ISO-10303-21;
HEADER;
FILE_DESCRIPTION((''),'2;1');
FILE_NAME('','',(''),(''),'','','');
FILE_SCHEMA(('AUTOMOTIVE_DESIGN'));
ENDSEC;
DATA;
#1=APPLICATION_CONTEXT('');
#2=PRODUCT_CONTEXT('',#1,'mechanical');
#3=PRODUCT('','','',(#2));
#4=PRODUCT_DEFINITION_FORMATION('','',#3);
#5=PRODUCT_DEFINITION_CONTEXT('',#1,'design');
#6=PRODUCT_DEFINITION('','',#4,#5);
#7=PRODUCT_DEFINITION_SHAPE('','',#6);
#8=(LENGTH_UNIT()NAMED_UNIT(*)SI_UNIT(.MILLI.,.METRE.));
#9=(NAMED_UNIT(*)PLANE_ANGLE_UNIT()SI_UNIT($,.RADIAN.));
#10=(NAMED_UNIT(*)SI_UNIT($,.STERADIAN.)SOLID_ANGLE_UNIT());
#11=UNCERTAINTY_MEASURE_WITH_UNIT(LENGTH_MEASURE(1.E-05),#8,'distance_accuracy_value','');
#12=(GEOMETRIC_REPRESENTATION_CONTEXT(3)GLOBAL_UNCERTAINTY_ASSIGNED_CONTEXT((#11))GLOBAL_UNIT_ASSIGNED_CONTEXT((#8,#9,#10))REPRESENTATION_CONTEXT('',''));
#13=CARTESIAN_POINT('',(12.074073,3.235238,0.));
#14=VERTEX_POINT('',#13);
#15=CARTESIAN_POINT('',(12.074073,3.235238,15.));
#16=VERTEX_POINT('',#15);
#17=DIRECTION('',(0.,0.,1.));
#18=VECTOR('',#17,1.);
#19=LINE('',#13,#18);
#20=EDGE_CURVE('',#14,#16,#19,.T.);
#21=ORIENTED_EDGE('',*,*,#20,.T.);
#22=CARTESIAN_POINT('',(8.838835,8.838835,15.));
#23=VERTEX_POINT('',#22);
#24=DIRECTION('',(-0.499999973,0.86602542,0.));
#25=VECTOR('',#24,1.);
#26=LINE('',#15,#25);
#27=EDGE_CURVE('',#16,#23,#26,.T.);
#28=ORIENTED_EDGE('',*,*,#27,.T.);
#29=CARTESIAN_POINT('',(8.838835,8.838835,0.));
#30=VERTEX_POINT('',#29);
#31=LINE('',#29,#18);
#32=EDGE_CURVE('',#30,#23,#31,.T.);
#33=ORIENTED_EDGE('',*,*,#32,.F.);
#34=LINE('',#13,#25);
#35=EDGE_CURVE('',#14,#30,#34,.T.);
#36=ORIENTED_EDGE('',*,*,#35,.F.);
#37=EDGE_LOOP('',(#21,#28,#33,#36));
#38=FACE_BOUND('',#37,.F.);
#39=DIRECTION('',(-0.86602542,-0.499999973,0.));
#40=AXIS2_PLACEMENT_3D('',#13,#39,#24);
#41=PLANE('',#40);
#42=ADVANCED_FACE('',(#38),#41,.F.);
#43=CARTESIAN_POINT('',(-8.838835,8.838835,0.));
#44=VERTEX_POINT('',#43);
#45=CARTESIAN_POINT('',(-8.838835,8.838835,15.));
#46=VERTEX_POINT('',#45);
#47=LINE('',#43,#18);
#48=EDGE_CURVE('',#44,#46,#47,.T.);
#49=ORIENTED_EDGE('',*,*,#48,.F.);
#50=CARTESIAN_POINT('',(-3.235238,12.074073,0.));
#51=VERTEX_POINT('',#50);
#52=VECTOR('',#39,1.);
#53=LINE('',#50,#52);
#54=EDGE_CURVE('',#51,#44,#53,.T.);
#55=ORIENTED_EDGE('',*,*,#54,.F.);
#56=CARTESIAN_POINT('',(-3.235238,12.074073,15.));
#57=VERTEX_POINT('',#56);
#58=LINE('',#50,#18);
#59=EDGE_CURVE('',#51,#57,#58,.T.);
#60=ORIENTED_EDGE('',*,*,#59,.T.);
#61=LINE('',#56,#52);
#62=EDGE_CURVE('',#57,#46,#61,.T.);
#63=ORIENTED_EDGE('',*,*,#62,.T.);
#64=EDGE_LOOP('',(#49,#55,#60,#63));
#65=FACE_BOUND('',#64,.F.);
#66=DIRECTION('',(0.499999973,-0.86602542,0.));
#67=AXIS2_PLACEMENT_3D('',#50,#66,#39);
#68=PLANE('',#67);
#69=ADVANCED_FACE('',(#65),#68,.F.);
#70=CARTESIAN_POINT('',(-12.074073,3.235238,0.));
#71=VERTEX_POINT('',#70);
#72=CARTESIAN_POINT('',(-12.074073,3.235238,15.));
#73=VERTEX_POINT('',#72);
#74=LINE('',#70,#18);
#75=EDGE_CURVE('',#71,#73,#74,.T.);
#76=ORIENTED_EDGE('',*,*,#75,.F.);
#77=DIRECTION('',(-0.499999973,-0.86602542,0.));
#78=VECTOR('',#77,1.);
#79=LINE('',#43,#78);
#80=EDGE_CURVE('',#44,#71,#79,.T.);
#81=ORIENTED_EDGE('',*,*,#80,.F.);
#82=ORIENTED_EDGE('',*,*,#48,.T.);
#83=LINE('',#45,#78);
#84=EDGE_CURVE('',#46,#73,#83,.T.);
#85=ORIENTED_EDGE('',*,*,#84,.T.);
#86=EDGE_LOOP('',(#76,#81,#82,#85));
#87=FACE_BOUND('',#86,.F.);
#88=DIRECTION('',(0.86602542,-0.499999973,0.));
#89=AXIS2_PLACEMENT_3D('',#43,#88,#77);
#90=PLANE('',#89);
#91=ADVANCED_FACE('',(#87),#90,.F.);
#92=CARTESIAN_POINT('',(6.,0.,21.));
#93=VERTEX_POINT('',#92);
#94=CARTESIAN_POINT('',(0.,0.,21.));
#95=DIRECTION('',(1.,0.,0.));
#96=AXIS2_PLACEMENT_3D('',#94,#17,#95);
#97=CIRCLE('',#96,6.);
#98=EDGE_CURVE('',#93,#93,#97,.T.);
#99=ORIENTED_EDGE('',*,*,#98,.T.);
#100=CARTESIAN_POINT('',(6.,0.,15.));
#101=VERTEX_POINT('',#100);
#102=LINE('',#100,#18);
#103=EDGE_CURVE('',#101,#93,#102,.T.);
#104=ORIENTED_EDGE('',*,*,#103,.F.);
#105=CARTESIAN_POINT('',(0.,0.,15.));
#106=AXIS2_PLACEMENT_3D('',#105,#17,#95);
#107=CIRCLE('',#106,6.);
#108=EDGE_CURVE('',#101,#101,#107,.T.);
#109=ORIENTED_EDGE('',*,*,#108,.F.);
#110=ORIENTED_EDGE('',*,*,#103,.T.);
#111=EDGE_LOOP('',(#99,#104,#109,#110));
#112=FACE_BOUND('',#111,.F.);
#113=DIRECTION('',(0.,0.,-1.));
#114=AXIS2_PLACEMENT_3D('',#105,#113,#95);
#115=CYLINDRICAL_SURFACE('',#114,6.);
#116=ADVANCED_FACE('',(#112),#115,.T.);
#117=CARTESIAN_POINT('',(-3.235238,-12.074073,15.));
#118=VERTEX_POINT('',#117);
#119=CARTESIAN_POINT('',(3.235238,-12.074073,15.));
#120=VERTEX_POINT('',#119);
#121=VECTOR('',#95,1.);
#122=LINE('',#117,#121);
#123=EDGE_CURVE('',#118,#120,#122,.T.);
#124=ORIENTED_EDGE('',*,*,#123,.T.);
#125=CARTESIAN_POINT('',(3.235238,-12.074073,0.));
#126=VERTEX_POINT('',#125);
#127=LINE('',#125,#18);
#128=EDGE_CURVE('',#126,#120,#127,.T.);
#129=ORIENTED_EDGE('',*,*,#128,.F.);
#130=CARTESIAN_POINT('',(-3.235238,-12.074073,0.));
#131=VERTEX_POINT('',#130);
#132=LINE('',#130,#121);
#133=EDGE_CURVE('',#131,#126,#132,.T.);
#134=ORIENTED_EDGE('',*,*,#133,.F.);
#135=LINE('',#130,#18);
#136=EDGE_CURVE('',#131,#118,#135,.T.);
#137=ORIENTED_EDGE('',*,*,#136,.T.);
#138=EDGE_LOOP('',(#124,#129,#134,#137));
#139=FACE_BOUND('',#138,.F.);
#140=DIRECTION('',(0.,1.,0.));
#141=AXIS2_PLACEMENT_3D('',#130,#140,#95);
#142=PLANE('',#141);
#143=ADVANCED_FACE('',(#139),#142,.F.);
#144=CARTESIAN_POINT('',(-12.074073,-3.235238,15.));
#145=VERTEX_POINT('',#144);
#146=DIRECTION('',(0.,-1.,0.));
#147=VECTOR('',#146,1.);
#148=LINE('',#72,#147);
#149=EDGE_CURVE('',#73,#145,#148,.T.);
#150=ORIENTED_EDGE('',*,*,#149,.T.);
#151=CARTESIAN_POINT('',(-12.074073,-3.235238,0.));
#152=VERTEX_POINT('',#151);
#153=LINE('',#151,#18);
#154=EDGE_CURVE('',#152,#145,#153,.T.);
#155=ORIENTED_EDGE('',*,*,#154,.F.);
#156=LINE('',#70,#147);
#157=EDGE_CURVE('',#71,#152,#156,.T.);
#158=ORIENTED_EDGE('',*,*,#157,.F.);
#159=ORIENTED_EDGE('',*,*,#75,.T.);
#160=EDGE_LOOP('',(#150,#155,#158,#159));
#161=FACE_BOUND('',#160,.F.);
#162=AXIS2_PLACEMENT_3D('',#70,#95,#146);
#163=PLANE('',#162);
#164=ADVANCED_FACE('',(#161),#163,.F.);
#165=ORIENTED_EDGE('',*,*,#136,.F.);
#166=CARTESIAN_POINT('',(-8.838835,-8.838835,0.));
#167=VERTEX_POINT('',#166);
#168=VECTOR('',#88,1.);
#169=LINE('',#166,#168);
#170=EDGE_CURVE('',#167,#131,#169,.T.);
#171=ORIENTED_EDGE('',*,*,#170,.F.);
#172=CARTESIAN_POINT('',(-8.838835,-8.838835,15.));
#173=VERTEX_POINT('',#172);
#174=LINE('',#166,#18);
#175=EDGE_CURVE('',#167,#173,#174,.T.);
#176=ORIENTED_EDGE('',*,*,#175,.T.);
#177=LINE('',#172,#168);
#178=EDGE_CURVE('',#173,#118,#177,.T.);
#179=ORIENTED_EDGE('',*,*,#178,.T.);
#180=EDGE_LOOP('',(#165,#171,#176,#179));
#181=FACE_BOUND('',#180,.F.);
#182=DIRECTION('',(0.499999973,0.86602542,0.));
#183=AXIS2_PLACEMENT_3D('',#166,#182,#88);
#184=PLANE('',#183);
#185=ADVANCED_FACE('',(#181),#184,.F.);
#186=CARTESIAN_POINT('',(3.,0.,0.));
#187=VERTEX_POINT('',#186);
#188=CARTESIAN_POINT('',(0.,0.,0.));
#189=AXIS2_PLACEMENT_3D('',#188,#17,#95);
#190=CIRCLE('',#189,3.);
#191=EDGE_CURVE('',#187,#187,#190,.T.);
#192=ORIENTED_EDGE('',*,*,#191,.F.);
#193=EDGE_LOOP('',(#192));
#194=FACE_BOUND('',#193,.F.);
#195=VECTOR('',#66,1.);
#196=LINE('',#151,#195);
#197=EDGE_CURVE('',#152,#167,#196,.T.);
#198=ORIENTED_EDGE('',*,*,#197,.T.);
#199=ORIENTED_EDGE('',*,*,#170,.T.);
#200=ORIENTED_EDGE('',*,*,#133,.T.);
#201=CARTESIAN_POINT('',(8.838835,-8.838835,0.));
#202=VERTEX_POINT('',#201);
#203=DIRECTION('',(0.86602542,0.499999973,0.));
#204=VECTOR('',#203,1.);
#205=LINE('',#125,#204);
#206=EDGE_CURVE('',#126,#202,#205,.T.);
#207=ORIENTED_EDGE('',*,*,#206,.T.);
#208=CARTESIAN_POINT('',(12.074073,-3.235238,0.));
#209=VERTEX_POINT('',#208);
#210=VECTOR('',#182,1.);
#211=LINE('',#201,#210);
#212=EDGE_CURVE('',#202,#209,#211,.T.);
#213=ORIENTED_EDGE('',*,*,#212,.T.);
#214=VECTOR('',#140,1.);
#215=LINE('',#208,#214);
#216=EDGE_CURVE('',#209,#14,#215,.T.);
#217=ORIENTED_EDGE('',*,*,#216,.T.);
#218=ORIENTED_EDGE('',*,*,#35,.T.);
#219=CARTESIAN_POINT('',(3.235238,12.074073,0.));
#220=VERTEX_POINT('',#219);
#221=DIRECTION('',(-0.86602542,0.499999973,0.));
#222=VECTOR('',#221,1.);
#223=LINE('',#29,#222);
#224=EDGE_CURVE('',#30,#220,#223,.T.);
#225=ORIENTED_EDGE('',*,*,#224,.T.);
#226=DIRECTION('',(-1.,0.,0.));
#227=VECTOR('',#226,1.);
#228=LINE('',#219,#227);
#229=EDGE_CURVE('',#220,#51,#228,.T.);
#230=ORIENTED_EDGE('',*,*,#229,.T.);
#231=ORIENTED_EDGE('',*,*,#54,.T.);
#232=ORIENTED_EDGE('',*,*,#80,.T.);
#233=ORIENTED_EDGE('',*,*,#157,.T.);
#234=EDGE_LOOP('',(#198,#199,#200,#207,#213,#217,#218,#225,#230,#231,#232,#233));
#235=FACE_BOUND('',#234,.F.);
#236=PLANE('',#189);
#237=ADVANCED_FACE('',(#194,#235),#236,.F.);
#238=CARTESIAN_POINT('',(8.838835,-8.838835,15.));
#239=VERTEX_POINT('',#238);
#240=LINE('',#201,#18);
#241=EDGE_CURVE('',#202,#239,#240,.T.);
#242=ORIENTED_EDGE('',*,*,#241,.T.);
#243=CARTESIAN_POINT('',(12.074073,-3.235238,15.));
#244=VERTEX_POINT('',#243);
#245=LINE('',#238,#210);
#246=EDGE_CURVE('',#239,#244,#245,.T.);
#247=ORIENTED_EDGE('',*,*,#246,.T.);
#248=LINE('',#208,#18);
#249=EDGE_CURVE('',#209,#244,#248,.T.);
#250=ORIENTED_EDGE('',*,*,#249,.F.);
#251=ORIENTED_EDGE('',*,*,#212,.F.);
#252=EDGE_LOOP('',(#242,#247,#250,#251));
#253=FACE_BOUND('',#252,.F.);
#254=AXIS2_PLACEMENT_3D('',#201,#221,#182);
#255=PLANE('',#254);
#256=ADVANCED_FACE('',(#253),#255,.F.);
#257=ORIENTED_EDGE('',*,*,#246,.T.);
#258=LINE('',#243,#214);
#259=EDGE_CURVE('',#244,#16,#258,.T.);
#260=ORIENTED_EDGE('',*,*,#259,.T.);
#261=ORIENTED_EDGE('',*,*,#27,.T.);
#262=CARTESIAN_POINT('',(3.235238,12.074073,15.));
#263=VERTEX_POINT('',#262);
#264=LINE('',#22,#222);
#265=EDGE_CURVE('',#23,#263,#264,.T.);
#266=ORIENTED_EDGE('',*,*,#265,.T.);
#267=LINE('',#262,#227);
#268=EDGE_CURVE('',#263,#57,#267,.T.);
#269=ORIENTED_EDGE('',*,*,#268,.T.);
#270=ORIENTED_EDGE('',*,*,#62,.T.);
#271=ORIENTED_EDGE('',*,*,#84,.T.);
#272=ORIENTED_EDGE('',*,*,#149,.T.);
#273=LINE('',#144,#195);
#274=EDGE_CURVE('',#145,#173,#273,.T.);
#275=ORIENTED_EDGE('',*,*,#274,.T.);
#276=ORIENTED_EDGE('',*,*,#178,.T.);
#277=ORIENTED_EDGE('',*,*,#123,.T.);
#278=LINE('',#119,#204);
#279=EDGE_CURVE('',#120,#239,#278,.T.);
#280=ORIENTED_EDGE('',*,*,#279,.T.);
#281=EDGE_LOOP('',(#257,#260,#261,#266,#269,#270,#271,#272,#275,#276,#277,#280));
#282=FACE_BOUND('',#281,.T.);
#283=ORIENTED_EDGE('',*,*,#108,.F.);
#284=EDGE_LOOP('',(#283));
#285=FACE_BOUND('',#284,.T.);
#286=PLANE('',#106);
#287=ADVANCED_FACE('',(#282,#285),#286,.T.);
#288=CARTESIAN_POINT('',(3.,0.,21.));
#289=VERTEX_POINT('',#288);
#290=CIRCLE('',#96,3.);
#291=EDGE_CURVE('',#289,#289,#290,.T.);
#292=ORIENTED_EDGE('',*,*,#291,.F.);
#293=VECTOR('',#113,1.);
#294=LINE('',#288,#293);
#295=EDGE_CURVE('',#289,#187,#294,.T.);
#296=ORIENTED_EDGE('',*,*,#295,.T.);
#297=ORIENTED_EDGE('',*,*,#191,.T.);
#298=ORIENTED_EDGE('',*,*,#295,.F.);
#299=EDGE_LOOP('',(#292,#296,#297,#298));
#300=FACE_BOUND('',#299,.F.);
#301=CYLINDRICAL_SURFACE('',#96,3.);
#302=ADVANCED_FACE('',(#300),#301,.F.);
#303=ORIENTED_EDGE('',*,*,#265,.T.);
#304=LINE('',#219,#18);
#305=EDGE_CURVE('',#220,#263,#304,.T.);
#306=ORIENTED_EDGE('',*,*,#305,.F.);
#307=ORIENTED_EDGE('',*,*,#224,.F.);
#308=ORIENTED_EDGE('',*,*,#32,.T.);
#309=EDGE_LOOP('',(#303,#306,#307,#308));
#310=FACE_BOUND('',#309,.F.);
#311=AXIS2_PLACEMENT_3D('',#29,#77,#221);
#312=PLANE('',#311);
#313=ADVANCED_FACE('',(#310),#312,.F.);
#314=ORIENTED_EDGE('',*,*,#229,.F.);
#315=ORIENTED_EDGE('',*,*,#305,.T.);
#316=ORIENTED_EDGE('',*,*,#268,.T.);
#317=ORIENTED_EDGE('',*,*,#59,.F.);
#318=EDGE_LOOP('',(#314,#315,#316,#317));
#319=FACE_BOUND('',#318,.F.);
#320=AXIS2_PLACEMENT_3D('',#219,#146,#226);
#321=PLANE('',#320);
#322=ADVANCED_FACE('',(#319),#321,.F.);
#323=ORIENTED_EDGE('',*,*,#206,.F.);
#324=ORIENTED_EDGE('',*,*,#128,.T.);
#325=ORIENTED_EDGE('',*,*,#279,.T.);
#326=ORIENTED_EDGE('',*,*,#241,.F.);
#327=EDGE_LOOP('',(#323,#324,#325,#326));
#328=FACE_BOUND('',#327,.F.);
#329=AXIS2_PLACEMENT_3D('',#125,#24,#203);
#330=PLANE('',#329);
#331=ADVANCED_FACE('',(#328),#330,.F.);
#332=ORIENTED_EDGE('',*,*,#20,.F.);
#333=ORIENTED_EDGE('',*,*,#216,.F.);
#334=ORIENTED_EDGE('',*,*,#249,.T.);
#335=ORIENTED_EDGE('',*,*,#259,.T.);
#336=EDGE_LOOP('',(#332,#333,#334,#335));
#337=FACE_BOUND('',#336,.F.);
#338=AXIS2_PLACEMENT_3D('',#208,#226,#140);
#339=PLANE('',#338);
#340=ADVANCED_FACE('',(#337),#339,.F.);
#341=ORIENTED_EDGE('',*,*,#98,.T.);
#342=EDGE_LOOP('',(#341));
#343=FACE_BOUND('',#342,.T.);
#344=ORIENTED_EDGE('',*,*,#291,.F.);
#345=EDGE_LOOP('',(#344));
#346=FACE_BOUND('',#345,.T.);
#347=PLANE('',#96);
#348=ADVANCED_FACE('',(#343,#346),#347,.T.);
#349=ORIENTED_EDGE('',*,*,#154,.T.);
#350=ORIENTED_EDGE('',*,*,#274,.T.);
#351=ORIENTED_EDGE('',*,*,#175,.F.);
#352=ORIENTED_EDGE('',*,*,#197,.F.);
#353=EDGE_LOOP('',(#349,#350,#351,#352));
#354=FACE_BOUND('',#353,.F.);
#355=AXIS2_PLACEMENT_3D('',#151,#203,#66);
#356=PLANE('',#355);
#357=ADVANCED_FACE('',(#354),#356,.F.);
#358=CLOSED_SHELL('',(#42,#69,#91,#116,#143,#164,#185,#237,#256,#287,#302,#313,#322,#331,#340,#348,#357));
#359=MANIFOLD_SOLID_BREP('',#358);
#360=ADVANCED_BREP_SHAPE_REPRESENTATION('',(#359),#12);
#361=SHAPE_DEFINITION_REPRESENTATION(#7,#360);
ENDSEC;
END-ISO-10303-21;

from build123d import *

# Parameters (mm, degrees)
PAD_DEPTH    = 15
SKETCH001_R  = 6
PAD001_DEPTH = 6
SKETCH002_R  = 3
POCKET_DEPTH = 21.001


with BuildPart() as part:
    # Sketch → Pad (new body)
    with BuildSketch(Plane.XY):
        Polygon((8.838835, 8.838835), (3.235238, 12.074073), (-3.235238, 12.074073), (-8.838835, 8.838835), (-12.074073, 3.235238), (-12.074073, -3.235238), (-8.838835, -8.838835), (-3.235238, -12.074073), (3.235238, -12.074073), (8.838835, -8.838835), (12.074073, -3.235238), (12.074073, 3.235238), align=None)
    extrude(amount=PAD_DEPTH)

    # Sketch001 (on Face14 of Pad) → Pad001 (join)
    with BuildSketch(Plane.XY.offset(15)):
        Circle(SKETCH001_R)
    extrude(amount=PAD001_DEPTH)

    # Sketch002 (on Face16 of Pad001) → Pocket (cut, through all)
    with BuildSketch(Plane.XY.offset(21)):
        Circle(SKETCH002_R)
    extrude(amount=-POCKET_DEPTH, mode=Mode.SUBTRACT)


solid = part.part
